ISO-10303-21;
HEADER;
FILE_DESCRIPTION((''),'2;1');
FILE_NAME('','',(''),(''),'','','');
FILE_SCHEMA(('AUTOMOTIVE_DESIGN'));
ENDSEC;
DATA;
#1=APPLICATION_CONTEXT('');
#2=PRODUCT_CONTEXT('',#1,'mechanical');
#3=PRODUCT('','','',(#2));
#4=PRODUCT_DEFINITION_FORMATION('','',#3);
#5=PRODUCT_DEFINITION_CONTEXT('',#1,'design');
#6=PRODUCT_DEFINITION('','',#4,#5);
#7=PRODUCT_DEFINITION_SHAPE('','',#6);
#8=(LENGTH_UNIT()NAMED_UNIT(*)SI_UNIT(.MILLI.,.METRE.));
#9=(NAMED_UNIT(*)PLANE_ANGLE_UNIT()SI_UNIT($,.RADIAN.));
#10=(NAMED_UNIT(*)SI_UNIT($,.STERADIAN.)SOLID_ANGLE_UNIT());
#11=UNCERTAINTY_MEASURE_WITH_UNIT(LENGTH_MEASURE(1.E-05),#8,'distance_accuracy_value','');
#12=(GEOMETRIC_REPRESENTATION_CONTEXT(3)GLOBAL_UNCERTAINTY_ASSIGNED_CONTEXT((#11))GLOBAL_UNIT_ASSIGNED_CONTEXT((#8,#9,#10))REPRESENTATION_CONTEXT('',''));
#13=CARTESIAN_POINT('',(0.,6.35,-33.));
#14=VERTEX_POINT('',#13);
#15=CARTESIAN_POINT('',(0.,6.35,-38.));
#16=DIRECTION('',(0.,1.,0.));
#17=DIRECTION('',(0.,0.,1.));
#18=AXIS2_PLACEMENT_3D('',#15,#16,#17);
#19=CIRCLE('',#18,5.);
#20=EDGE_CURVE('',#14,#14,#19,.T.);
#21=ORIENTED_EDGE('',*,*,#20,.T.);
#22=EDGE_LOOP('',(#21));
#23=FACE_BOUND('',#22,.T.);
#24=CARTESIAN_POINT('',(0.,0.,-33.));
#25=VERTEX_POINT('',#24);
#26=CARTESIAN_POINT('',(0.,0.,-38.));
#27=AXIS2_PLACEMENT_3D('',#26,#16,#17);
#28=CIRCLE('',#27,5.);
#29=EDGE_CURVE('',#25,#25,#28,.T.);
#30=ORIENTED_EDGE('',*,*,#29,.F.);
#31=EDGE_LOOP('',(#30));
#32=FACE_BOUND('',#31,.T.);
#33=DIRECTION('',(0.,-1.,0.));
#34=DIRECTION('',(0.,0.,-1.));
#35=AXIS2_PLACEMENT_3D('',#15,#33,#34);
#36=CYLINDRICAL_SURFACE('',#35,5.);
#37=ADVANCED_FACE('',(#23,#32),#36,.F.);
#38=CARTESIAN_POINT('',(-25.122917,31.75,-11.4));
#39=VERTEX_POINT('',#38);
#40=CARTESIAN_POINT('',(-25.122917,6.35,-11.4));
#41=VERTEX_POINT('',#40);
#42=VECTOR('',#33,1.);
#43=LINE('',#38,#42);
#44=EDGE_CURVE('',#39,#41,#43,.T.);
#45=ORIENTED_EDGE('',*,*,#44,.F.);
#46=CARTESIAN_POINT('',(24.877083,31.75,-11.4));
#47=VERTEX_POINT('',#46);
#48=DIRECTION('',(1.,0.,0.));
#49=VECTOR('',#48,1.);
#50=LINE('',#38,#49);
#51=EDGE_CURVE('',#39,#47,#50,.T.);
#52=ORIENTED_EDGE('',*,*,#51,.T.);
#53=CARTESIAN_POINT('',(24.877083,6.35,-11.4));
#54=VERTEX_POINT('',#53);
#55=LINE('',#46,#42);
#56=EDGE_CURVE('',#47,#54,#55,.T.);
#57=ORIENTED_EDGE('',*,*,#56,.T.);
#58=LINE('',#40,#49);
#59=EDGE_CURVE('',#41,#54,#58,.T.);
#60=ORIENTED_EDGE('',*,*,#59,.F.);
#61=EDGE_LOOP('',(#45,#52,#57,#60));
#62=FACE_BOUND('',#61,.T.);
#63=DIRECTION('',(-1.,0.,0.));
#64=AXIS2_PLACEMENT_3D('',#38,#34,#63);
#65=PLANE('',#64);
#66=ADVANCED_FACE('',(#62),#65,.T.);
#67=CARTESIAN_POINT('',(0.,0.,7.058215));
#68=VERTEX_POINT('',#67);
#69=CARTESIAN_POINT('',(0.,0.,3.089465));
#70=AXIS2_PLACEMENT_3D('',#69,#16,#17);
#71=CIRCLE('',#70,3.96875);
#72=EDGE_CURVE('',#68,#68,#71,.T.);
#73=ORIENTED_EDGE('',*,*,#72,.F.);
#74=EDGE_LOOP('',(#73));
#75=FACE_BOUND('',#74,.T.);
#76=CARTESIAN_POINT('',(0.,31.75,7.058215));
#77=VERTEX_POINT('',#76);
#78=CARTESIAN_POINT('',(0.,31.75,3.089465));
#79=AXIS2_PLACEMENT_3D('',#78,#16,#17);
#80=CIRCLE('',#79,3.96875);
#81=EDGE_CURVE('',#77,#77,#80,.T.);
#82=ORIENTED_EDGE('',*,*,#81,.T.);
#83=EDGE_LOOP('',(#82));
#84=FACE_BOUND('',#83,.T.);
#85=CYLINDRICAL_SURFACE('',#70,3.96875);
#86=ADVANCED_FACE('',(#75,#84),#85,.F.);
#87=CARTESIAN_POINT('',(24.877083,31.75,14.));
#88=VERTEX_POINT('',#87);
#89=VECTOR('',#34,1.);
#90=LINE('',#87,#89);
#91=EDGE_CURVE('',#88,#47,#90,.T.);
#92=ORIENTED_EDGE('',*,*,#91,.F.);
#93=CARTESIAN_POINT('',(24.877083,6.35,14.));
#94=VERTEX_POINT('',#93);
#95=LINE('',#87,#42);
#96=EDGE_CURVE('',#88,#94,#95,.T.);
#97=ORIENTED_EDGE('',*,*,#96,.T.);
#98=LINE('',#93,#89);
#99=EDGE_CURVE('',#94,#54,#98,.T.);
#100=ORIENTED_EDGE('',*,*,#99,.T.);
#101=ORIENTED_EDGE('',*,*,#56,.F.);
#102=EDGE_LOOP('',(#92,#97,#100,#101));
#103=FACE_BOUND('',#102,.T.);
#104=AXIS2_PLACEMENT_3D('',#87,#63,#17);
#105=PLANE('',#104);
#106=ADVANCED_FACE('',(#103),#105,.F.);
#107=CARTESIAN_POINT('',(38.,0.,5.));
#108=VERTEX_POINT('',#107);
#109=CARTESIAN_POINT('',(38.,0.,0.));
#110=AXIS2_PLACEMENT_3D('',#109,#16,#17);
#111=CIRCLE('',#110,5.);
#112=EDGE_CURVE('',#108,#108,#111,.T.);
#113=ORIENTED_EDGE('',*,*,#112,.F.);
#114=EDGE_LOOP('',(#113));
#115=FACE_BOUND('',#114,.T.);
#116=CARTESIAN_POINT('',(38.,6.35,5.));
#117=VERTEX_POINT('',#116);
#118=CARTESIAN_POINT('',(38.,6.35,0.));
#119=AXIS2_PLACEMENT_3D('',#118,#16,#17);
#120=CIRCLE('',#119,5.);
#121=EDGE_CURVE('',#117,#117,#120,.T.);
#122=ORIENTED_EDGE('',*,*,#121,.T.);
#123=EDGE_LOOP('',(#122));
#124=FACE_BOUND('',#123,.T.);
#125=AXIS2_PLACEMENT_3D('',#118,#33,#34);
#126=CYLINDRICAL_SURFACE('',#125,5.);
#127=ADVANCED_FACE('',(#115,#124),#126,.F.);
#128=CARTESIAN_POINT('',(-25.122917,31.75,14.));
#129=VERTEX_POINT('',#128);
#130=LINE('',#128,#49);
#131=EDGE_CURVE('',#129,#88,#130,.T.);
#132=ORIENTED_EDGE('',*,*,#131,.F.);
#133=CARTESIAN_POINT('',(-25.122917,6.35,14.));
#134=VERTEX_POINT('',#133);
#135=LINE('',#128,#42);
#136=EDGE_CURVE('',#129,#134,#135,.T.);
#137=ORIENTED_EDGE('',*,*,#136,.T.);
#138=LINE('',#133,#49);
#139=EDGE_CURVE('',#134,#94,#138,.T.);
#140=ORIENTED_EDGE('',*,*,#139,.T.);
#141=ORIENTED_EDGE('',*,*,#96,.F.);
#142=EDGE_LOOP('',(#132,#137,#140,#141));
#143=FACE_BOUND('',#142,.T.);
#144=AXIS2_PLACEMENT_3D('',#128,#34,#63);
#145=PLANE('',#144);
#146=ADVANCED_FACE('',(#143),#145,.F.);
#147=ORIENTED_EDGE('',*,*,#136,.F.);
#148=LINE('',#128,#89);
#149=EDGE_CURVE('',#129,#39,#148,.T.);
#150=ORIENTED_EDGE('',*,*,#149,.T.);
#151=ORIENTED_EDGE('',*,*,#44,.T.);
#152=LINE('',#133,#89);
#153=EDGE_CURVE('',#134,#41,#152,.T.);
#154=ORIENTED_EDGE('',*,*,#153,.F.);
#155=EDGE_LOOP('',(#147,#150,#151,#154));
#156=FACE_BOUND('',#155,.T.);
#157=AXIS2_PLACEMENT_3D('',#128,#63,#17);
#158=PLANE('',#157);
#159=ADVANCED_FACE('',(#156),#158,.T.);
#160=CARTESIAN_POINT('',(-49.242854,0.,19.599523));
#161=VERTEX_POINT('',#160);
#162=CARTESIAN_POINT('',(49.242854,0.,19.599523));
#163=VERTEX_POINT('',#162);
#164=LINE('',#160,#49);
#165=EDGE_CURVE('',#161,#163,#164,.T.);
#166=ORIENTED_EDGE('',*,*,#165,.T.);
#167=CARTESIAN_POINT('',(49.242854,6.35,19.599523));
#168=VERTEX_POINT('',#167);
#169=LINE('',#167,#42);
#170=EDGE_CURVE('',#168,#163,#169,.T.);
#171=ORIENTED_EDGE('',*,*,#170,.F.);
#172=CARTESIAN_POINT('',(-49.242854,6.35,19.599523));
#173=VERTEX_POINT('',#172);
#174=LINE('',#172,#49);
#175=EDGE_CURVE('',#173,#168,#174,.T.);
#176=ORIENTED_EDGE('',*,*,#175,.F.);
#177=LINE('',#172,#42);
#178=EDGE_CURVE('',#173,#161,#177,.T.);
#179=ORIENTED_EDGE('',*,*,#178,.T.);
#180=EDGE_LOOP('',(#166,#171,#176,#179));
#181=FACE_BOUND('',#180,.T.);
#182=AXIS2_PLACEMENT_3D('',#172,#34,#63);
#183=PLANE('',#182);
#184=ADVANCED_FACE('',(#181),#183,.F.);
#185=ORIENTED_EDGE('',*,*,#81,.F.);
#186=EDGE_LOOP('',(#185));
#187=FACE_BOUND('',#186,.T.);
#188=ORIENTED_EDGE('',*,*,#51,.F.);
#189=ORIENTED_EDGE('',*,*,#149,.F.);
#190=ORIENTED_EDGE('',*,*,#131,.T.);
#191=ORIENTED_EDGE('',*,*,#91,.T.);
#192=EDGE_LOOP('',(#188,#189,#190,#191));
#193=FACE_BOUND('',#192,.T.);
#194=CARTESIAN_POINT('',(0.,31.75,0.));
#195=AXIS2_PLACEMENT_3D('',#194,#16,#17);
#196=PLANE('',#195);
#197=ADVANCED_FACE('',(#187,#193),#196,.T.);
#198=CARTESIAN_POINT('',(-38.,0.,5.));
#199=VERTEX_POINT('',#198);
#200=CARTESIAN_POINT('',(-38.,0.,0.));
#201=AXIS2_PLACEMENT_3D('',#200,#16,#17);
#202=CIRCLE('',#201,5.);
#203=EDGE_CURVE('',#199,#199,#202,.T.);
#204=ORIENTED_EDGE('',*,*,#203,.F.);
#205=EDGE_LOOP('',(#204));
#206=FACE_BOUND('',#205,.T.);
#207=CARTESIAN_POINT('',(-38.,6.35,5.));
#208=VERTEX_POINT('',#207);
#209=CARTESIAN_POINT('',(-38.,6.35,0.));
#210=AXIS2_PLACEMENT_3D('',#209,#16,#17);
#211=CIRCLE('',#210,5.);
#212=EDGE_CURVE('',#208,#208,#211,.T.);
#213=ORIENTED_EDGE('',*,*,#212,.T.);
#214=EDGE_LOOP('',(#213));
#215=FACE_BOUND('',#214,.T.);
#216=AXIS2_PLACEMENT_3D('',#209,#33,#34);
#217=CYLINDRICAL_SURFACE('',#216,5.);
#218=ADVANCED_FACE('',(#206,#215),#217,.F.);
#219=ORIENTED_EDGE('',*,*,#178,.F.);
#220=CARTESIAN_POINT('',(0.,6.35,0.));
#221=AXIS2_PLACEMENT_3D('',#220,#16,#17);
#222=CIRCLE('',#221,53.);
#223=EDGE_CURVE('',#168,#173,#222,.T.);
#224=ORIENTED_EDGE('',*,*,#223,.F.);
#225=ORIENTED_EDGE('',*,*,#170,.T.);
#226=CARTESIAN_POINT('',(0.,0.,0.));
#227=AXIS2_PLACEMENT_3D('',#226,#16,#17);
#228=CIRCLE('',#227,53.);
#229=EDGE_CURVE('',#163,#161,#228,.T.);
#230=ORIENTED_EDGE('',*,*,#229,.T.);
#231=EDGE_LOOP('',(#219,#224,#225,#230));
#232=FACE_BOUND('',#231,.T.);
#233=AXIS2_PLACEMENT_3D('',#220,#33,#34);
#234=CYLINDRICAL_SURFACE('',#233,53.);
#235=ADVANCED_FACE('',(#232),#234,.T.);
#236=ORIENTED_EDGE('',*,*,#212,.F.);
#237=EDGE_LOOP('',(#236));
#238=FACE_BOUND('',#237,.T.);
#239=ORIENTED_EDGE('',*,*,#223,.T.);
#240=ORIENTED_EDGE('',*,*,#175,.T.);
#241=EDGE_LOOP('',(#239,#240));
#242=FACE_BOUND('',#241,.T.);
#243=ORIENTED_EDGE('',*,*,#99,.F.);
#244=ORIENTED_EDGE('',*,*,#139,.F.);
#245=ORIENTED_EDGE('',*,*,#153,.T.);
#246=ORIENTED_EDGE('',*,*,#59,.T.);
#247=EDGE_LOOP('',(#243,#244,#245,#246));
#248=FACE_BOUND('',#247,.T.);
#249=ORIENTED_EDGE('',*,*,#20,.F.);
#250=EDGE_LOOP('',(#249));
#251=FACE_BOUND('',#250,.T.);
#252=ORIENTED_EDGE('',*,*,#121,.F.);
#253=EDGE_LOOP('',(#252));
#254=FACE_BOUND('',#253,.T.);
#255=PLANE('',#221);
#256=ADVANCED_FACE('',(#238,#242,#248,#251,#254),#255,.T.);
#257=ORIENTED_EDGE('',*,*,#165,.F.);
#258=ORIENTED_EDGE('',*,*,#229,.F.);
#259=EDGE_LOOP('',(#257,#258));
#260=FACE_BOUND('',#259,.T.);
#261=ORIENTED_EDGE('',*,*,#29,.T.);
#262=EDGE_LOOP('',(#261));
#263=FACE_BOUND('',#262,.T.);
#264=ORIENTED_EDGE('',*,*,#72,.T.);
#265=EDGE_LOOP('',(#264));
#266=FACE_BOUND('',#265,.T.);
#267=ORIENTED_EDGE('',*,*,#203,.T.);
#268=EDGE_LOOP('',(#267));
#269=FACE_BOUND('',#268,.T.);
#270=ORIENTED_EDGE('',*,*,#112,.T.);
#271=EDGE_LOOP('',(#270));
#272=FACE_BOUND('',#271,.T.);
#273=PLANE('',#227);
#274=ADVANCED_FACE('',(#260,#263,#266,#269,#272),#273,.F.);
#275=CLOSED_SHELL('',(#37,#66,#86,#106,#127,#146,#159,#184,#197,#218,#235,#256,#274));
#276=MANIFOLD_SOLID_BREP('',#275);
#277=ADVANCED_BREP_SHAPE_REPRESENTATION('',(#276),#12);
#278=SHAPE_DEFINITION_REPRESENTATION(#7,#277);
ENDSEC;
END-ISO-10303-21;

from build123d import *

# Parameters (mm, degrees)
SKETCH1_R           = 5
BOSS_EXTRUDE4_DEPTH = 6.35
SKETCH5_W           = 50
SKETCH5_H           = 25.4
BOSS_EXTRUDE5_DEPTH = 25.4
CUT_EXTRUDE1_START  = -31.75
SKETCH6_R           = 3.96875
CUT_EXTRUDE1_DEPTH  = 31.75


with BuildPart() as part:
    # Sketch1 → Boss-Extrude4 (new body)
    with BuildSketch(Plane(origin=(0, 0, 0), x_dir=(1, 0, 0), z_dir=(0, 1, 0))):
        with BuildLine():
            Line((-49.242854308, -19.599522943), (49.242854308, -19.599522943))
            ThreePointArc((49.242854308, -19.599522943), (0, 53), (-49.242854308, -19.599522943))
        make_face()
        with Locations(Location((-38, 0, 0), (0, 0, 270))):
            Circle(SKETCH1_R, mode=Mode.SUBTRACT)
        with Locations(Location((38, 0, 0), (0, 0, 270))):
            Circle(SKETCH1_R, mode=Mode.SUBTRACT)
        with Locations(Location((0, 38, 0), (0, 0, 270))):
            Circle(SKETCH1_R, mode=Mode.SUBTRACT)
    extrude(amount=BOSS_EXTRUDE4_DEPTH)

    # Sketch5 → Boss-Extrude5 (add)
    with BuildSketch(Plane(origin=(0, 6.35, 0), x_dir=(1, 0, 0), z_dir=(0, 1, 0))):
        with Locations((-0.122917413, -1.3)):
            Rectangle(SKETCH5_W, SKETCH5_H)
    extrude(amount=BOSS_EXTRUDE5_DEPTH)

    # Sketch6 → Cut-Extrude1 (cut)
    with BuildSketch(Plane(origin=(0, 31.75, 0), x_dir=(1, 0, 0), z_dir=(0, 1, 0)).offset(CUT_EXTRUDE1_START)):
        with Locations(Location((0, -3.089464921, 0), (0, 0, 270))):
            Circle(SKETCH6_R)
    extrude(amount=CUT_EXTRUDE1_DEPTH, mode=Mode.SUBTRACT)


solid = part.part
